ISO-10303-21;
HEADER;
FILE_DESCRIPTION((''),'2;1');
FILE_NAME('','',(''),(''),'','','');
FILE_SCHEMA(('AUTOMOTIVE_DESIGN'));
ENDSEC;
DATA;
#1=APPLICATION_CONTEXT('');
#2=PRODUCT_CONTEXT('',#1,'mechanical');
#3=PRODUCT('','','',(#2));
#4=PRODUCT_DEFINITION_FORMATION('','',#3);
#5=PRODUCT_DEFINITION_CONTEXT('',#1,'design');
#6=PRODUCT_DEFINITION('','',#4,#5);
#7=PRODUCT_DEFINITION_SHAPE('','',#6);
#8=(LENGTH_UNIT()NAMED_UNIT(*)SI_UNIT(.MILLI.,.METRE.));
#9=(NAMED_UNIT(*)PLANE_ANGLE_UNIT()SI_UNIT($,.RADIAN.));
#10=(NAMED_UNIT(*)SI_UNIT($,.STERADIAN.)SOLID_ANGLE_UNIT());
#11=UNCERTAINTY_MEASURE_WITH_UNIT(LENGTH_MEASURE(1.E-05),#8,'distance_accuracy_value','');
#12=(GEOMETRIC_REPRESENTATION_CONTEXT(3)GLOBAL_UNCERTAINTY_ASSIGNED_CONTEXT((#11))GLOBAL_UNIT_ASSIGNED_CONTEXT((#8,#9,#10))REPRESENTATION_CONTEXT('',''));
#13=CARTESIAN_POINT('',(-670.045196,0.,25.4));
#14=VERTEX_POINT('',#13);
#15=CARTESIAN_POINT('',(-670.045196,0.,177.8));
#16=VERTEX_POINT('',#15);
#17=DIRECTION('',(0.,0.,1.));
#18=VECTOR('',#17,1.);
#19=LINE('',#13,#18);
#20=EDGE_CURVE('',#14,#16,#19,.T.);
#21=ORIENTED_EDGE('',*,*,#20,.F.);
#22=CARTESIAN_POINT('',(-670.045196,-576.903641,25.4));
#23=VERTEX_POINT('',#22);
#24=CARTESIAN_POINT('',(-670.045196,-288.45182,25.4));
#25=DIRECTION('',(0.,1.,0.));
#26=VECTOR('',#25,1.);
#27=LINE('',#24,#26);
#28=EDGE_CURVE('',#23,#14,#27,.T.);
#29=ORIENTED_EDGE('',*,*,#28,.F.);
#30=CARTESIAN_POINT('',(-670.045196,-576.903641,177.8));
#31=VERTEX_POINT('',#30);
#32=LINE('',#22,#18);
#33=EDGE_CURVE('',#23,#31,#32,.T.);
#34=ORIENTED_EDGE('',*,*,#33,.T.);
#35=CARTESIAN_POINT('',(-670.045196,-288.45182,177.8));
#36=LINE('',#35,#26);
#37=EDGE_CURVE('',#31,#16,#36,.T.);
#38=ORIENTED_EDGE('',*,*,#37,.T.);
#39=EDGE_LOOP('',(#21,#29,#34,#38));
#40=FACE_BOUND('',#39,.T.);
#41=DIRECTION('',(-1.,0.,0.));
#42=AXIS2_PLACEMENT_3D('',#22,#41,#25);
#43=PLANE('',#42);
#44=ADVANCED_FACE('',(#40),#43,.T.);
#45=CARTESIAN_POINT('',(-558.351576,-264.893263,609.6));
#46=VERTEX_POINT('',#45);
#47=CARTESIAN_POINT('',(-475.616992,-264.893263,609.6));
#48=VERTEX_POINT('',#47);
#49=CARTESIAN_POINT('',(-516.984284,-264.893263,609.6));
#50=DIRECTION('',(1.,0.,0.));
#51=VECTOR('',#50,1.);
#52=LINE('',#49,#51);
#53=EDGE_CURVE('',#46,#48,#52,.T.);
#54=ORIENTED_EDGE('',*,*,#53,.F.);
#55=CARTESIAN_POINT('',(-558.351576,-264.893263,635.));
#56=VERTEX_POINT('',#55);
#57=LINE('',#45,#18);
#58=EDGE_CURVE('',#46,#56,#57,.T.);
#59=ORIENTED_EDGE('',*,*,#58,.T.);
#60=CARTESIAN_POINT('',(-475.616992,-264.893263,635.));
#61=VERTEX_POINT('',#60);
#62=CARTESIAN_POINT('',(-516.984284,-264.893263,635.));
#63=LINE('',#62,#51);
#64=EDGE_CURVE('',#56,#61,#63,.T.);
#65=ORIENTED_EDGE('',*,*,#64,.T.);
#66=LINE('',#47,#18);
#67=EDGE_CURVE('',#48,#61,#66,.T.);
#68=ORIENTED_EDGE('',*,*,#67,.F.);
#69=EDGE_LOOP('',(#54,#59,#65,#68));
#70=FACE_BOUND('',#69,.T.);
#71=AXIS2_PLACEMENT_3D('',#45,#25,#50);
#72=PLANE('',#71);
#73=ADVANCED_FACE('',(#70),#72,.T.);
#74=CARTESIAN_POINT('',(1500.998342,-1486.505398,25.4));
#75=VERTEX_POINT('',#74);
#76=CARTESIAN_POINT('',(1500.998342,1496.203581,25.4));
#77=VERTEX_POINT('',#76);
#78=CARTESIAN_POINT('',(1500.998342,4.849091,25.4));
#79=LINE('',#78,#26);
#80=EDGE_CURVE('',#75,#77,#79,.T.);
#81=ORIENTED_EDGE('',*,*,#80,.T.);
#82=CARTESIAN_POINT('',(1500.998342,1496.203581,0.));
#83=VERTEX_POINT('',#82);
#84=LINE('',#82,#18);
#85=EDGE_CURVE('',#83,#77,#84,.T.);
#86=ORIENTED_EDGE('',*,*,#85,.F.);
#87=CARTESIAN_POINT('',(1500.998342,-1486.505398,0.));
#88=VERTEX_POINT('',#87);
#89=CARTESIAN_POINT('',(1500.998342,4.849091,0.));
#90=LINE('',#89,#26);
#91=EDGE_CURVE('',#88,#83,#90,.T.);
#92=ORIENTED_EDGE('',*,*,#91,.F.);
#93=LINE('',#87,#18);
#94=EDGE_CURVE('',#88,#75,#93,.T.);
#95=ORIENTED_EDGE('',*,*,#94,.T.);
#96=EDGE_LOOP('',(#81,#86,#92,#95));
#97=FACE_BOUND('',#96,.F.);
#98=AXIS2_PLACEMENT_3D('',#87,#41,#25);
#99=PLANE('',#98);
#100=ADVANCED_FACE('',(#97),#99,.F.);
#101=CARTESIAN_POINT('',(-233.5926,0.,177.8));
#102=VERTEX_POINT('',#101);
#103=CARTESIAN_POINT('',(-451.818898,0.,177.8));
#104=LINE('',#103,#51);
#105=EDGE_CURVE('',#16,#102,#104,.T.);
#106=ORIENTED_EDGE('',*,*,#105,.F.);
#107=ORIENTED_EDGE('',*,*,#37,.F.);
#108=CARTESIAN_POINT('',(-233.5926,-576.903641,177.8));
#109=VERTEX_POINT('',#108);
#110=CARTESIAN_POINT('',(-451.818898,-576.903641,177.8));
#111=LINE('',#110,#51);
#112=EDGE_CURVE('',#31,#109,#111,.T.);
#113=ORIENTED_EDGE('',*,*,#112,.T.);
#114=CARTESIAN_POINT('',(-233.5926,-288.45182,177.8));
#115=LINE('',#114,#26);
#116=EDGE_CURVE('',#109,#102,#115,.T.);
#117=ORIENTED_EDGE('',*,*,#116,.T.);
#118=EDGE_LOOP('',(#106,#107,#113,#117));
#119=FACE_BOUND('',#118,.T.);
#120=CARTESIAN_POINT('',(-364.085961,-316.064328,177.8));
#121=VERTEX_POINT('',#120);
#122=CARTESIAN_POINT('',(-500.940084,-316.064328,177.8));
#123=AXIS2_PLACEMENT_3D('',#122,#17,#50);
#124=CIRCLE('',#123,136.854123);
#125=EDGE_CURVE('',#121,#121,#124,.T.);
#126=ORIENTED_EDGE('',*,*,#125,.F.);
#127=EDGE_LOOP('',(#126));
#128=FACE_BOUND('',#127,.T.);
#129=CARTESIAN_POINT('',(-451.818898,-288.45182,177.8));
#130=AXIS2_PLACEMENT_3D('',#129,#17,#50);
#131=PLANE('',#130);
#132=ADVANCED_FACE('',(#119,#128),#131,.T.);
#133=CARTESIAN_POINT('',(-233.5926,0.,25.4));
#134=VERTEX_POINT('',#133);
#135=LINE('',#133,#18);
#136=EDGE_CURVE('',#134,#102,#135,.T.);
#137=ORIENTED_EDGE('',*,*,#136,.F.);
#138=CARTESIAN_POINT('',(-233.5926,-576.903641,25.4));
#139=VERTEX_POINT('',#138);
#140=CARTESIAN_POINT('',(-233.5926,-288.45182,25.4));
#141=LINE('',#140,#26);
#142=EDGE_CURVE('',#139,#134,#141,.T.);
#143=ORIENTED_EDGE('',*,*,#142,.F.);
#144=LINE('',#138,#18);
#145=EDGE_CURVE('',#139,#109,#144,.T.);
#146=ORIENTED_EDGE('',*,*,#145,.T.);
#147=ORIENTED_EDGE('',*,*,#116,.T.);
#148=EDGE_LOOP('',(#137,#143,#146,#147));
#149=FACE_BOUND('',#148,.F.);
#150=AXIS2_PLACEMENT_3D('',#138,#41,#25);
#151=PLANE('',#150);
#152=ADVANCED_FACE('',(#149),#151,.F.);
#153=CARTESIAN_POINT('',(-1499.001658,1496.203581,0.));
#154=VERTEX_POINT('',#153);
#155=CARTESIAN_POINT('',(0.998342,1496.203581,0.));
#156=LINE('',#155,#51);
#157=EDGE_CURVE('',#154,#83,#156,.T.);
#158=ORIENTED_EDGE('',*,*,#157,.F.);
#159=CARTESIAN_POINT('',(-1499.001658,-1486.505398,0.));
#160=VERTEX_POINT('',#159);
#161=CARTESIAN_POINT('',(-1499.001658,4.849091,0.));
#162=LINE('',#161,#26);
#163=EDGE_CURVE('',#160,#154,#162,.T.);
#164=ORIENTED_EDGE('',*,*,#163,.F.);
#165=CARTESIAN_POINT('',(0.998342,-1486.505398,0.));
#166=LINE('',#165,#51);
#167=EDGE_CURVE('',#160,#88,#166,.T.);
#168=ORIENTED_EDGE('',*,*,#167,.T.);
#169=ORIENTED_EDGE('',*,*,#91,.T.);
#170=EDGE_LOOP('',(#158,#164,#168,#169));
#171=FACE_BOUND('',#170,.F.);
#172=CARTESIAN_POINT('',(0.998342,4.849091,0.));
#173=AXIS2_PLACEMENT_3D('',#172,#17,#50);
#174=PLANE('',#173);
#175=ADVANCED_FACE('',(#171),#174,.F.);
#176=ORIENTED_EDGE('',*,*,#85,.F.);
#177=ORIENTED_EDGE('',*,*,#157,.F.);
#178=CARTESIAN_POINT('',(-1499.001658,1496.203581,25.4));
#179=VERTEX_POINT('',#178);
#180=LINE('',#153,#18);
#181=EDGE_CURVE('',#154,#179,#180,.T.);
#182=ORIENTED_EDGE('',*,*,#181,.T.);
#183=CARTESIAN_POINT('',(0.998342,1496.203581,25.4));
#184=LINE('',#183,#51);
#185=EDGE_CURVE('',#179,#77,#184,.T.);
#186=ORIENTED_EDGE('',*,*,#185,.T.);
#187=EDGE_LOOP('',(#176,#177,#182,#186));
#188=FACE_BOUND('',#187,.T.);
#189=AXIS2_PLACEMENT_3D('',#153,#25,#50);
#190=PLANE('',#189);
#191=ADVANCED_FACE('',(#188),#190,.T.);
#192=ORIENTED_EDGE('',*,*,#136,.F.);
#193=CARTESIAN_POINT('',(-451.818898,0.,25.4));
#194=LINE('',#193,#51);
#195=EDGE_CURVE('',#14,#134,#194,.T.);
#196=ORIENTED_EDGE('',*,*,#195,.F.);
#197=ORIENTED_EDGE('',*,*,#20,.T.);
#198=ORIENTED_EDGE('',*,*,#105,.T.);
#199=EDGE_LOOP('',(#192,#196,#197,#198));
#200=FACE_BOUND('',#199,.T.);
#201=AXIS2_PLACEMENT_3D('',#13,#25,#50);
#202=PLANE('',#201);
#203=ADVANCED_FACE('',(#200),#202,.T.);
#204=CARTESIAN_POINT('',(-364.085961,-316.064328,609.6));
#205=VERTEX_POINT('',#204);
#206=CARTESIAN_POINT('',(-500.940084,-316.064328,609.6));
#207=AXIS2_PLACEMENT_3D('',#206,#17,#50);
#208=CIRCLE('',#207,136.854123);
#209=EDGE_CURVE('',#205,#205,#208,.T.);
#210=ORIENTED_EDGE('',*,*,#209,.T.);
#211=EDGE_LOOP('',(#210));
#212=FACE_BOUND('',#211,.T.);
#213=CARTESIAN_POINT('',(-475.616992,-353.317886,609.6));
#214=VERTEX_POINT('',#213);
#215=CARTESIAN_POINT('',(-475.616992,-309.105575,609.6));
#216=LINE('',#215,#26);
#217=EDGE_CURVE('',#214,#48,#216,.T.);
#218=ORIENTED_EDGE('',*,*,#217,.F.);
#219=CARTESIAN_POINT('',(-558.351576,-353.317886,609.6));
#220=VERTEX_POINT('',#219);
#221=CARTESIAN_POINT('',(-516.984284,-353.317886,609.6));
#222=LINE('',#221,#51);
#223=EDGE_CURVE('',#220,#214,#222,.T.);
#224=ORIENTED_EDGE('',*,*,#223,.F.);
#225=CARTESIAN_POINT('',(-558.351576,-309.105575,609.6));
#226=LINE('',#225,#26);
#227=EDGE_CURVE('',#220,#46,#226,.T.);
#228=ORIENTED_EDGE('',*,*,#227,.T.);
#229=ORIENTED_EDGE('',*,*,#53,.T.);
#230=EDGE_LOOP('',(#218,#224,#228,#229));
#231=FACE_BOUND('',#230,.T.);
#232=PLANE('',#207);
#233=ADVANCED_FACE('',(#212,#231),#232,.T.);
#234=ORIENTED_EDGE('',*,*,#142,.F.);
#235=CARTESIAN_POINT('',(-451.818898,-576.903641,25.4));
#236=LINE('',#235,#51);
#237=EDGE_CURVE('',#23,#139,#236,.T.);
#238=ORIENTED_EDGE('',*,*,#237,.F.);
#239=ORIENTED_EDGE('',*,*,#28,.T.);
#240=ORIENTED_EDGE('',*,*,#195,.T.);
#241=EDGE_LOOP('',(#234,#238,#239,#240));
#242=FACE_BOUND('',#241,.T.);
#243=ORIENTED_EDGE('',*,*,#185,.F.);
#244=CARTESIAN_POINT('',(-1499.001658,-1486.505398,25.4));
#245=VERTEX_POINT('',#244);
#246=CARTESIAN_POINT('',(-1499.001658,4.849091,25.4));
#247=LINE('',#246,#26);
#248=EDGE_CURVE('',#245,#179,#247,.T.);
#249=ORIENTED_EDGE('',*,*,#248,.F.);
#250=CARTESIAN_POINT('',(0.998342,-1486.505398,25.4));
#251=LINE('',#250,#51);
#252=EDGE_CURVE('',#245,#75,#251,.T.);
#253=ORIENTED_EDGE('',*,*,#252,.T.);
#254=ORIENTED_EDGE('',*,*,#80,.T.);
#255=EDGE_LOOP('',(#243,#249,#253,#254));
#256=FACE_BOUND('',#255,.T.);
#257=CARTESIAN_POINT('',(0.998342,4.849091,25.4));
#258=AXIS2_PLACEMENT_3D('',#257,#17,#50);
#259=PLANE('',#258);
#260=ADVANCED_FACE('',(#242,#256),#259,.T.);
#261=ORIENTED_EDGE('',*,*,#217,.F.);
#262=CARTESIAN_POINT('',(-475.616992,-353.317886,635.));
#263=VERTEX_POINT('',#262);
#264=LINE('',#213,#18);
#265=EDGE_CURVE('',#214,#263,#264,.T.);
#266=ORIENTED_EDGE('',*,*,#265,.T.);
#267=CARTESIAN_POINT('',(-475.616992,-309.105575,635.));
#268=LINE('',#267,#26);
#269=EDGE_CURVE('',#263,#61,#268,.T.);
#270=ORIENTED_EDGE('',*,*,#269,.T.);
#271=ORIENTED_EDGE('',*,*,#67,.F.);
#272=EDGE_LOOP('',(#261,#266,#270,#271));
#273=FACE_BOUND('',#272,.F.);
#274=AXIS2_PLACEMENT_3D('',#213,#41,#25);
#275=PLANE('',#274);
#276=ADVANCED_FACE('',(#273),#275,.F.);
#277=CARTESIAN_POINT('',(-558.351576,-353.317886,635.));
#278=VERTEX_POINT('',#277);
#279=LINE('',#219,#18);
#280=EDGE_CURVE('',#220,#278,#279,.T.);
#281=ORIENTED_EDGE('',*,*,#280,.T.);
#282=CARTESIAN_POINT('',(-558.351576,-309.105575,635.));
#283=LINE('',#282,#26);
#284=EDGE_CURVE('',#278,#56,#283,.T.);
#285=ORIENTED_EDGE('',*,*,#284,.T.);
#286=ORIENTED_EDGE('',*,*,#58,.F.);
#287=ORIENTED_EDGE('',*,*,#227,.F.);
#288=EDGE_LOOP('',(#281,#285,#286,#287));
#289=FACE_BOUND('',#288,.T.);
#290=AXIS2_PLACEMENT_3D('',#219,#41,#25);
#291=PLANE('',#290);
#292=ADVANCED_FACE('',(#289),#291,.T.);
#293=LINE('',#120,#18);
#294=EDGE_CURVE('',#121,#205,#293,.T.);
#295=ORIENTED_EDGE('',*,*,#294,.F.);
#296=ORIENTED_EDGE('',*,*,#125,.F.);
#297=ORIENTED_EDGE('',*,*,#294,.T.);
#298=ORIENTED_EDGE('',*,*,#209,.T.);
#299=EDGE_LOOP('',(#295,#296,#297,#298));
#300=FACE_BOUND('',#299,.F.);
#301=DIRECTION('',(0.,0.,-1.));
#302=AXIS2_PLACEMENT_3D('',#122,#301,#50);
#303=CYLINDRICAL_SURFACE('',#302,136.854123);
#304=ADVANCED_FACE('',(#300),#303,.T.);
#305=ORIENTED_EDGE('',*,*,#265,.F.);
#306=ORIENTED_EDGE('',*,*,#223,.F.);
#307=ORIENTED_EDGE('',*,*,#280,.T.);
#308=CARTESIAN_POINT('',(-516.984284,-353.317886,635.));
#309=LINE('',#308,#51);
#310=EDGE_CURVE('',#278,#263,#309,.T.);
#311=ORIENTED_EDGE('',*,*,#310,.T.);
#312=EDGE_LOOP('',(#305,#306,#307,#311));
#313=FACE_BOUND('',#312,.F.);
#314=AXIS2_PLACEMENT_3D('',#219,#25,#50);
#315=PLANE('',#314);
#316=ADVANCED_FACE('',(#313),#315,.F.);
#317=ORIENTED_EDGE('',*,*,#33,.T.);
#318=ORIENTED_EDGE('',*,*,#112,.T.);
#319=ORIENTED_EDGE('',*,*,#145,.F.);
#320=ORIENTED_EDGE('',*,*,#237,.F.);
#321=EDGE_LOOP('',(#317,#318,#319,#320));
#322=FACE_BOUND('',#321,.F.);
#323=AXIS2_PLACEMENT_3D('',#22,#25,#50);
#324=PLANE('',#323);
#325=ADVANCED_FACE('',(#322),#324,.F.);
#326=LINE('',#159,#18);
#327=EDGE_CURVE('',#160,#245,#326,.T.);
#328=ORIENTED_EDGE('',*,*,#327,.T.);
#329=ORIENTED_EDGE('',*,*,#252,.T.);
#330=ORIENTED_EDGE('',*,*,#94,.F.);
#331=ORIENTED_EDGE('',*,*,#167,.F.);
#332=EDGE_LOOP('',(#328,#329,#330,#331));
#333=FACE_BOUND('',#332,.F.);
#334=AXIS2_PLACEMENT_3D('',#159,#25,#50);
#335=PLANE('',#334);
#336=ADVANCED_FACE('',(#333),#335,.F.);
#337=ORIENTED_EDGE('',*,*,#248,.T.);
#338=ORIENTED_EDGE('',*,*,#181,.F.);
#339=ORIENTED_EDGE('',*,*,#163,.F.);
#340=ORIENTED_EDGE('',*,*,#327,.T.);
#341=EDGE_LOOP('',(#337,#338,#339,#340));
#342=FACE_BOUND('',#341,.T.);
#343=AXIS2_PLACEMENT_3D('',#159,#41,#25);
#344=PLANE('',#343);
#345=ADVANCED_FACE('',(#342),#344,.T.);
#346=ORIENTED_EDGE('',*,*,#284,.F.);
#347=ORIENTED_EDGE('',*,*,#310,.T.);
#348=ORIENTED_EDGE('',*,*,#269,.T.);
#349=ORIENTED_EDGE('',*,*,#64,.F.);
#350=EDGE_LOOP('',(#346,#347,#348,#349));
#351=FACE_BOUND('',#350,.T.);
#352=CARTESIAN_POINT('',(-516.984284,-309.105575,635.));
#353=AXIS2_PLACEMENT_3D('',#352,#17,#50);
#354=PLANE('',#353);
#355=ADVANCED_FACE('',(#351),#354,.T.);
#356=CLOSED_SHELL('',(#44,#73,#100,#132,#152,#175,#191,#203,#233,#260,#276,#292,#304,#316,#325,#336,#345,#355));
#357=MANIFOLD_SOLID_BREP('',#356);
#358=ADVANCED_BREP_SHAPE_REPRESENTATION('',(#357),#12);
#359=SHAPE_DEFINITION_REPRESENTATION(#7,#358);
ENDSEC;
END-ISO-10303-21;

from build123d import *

# Parameters (mm, degrees)
F0_W     = 3000
F0_H     = 2982.708979
F1_DEPTH = 25.4
F2_W     = 436.452597
F2_H     = 576.903641
F3_DEPTH = 152.4
F4_R     = 136.854123
F5_DEPTH = 431.8
F6_W     = 82.734584
F6_H     = 88.424623
F7_DEPTH = 25.4


with BuildPart() as f1:
    # F0 (on Top) → F1 (new body)
    with BuildSketch(Plane.XY):
        with Locations((0.998342, 4.849091)):
            Rectangle(F0_W, F0_H)
    extrude(amount=F1_DEPTH)

    # F2 (on face) → F3 (join)
    with BuildSketch(Plane.XY.offset(25.4)):
        with Locations((-451.818898, -288.45182)):
            Rectangle(F2_W, F2_H)
    extrude(amount=F3_DEPTH)

    # F4 (on face) → F5 (join)
    with BuildSketch(Plane.XY.offset(177.8)):
        with Locations((-500.940084, -316.064328)):
            Circle(F4_R)
    extrude(amount=F5_DEPTH)

    # F6 (on face) → F7 (join)
    with BuildSketch(Plane.XY.offset(609.6)):
        with Locations((-516.984284, -309.105575)):
            Rectangle(F6_W, F6_H)
    extrude(amount=F7_DEPTH)


solid = f1.part
